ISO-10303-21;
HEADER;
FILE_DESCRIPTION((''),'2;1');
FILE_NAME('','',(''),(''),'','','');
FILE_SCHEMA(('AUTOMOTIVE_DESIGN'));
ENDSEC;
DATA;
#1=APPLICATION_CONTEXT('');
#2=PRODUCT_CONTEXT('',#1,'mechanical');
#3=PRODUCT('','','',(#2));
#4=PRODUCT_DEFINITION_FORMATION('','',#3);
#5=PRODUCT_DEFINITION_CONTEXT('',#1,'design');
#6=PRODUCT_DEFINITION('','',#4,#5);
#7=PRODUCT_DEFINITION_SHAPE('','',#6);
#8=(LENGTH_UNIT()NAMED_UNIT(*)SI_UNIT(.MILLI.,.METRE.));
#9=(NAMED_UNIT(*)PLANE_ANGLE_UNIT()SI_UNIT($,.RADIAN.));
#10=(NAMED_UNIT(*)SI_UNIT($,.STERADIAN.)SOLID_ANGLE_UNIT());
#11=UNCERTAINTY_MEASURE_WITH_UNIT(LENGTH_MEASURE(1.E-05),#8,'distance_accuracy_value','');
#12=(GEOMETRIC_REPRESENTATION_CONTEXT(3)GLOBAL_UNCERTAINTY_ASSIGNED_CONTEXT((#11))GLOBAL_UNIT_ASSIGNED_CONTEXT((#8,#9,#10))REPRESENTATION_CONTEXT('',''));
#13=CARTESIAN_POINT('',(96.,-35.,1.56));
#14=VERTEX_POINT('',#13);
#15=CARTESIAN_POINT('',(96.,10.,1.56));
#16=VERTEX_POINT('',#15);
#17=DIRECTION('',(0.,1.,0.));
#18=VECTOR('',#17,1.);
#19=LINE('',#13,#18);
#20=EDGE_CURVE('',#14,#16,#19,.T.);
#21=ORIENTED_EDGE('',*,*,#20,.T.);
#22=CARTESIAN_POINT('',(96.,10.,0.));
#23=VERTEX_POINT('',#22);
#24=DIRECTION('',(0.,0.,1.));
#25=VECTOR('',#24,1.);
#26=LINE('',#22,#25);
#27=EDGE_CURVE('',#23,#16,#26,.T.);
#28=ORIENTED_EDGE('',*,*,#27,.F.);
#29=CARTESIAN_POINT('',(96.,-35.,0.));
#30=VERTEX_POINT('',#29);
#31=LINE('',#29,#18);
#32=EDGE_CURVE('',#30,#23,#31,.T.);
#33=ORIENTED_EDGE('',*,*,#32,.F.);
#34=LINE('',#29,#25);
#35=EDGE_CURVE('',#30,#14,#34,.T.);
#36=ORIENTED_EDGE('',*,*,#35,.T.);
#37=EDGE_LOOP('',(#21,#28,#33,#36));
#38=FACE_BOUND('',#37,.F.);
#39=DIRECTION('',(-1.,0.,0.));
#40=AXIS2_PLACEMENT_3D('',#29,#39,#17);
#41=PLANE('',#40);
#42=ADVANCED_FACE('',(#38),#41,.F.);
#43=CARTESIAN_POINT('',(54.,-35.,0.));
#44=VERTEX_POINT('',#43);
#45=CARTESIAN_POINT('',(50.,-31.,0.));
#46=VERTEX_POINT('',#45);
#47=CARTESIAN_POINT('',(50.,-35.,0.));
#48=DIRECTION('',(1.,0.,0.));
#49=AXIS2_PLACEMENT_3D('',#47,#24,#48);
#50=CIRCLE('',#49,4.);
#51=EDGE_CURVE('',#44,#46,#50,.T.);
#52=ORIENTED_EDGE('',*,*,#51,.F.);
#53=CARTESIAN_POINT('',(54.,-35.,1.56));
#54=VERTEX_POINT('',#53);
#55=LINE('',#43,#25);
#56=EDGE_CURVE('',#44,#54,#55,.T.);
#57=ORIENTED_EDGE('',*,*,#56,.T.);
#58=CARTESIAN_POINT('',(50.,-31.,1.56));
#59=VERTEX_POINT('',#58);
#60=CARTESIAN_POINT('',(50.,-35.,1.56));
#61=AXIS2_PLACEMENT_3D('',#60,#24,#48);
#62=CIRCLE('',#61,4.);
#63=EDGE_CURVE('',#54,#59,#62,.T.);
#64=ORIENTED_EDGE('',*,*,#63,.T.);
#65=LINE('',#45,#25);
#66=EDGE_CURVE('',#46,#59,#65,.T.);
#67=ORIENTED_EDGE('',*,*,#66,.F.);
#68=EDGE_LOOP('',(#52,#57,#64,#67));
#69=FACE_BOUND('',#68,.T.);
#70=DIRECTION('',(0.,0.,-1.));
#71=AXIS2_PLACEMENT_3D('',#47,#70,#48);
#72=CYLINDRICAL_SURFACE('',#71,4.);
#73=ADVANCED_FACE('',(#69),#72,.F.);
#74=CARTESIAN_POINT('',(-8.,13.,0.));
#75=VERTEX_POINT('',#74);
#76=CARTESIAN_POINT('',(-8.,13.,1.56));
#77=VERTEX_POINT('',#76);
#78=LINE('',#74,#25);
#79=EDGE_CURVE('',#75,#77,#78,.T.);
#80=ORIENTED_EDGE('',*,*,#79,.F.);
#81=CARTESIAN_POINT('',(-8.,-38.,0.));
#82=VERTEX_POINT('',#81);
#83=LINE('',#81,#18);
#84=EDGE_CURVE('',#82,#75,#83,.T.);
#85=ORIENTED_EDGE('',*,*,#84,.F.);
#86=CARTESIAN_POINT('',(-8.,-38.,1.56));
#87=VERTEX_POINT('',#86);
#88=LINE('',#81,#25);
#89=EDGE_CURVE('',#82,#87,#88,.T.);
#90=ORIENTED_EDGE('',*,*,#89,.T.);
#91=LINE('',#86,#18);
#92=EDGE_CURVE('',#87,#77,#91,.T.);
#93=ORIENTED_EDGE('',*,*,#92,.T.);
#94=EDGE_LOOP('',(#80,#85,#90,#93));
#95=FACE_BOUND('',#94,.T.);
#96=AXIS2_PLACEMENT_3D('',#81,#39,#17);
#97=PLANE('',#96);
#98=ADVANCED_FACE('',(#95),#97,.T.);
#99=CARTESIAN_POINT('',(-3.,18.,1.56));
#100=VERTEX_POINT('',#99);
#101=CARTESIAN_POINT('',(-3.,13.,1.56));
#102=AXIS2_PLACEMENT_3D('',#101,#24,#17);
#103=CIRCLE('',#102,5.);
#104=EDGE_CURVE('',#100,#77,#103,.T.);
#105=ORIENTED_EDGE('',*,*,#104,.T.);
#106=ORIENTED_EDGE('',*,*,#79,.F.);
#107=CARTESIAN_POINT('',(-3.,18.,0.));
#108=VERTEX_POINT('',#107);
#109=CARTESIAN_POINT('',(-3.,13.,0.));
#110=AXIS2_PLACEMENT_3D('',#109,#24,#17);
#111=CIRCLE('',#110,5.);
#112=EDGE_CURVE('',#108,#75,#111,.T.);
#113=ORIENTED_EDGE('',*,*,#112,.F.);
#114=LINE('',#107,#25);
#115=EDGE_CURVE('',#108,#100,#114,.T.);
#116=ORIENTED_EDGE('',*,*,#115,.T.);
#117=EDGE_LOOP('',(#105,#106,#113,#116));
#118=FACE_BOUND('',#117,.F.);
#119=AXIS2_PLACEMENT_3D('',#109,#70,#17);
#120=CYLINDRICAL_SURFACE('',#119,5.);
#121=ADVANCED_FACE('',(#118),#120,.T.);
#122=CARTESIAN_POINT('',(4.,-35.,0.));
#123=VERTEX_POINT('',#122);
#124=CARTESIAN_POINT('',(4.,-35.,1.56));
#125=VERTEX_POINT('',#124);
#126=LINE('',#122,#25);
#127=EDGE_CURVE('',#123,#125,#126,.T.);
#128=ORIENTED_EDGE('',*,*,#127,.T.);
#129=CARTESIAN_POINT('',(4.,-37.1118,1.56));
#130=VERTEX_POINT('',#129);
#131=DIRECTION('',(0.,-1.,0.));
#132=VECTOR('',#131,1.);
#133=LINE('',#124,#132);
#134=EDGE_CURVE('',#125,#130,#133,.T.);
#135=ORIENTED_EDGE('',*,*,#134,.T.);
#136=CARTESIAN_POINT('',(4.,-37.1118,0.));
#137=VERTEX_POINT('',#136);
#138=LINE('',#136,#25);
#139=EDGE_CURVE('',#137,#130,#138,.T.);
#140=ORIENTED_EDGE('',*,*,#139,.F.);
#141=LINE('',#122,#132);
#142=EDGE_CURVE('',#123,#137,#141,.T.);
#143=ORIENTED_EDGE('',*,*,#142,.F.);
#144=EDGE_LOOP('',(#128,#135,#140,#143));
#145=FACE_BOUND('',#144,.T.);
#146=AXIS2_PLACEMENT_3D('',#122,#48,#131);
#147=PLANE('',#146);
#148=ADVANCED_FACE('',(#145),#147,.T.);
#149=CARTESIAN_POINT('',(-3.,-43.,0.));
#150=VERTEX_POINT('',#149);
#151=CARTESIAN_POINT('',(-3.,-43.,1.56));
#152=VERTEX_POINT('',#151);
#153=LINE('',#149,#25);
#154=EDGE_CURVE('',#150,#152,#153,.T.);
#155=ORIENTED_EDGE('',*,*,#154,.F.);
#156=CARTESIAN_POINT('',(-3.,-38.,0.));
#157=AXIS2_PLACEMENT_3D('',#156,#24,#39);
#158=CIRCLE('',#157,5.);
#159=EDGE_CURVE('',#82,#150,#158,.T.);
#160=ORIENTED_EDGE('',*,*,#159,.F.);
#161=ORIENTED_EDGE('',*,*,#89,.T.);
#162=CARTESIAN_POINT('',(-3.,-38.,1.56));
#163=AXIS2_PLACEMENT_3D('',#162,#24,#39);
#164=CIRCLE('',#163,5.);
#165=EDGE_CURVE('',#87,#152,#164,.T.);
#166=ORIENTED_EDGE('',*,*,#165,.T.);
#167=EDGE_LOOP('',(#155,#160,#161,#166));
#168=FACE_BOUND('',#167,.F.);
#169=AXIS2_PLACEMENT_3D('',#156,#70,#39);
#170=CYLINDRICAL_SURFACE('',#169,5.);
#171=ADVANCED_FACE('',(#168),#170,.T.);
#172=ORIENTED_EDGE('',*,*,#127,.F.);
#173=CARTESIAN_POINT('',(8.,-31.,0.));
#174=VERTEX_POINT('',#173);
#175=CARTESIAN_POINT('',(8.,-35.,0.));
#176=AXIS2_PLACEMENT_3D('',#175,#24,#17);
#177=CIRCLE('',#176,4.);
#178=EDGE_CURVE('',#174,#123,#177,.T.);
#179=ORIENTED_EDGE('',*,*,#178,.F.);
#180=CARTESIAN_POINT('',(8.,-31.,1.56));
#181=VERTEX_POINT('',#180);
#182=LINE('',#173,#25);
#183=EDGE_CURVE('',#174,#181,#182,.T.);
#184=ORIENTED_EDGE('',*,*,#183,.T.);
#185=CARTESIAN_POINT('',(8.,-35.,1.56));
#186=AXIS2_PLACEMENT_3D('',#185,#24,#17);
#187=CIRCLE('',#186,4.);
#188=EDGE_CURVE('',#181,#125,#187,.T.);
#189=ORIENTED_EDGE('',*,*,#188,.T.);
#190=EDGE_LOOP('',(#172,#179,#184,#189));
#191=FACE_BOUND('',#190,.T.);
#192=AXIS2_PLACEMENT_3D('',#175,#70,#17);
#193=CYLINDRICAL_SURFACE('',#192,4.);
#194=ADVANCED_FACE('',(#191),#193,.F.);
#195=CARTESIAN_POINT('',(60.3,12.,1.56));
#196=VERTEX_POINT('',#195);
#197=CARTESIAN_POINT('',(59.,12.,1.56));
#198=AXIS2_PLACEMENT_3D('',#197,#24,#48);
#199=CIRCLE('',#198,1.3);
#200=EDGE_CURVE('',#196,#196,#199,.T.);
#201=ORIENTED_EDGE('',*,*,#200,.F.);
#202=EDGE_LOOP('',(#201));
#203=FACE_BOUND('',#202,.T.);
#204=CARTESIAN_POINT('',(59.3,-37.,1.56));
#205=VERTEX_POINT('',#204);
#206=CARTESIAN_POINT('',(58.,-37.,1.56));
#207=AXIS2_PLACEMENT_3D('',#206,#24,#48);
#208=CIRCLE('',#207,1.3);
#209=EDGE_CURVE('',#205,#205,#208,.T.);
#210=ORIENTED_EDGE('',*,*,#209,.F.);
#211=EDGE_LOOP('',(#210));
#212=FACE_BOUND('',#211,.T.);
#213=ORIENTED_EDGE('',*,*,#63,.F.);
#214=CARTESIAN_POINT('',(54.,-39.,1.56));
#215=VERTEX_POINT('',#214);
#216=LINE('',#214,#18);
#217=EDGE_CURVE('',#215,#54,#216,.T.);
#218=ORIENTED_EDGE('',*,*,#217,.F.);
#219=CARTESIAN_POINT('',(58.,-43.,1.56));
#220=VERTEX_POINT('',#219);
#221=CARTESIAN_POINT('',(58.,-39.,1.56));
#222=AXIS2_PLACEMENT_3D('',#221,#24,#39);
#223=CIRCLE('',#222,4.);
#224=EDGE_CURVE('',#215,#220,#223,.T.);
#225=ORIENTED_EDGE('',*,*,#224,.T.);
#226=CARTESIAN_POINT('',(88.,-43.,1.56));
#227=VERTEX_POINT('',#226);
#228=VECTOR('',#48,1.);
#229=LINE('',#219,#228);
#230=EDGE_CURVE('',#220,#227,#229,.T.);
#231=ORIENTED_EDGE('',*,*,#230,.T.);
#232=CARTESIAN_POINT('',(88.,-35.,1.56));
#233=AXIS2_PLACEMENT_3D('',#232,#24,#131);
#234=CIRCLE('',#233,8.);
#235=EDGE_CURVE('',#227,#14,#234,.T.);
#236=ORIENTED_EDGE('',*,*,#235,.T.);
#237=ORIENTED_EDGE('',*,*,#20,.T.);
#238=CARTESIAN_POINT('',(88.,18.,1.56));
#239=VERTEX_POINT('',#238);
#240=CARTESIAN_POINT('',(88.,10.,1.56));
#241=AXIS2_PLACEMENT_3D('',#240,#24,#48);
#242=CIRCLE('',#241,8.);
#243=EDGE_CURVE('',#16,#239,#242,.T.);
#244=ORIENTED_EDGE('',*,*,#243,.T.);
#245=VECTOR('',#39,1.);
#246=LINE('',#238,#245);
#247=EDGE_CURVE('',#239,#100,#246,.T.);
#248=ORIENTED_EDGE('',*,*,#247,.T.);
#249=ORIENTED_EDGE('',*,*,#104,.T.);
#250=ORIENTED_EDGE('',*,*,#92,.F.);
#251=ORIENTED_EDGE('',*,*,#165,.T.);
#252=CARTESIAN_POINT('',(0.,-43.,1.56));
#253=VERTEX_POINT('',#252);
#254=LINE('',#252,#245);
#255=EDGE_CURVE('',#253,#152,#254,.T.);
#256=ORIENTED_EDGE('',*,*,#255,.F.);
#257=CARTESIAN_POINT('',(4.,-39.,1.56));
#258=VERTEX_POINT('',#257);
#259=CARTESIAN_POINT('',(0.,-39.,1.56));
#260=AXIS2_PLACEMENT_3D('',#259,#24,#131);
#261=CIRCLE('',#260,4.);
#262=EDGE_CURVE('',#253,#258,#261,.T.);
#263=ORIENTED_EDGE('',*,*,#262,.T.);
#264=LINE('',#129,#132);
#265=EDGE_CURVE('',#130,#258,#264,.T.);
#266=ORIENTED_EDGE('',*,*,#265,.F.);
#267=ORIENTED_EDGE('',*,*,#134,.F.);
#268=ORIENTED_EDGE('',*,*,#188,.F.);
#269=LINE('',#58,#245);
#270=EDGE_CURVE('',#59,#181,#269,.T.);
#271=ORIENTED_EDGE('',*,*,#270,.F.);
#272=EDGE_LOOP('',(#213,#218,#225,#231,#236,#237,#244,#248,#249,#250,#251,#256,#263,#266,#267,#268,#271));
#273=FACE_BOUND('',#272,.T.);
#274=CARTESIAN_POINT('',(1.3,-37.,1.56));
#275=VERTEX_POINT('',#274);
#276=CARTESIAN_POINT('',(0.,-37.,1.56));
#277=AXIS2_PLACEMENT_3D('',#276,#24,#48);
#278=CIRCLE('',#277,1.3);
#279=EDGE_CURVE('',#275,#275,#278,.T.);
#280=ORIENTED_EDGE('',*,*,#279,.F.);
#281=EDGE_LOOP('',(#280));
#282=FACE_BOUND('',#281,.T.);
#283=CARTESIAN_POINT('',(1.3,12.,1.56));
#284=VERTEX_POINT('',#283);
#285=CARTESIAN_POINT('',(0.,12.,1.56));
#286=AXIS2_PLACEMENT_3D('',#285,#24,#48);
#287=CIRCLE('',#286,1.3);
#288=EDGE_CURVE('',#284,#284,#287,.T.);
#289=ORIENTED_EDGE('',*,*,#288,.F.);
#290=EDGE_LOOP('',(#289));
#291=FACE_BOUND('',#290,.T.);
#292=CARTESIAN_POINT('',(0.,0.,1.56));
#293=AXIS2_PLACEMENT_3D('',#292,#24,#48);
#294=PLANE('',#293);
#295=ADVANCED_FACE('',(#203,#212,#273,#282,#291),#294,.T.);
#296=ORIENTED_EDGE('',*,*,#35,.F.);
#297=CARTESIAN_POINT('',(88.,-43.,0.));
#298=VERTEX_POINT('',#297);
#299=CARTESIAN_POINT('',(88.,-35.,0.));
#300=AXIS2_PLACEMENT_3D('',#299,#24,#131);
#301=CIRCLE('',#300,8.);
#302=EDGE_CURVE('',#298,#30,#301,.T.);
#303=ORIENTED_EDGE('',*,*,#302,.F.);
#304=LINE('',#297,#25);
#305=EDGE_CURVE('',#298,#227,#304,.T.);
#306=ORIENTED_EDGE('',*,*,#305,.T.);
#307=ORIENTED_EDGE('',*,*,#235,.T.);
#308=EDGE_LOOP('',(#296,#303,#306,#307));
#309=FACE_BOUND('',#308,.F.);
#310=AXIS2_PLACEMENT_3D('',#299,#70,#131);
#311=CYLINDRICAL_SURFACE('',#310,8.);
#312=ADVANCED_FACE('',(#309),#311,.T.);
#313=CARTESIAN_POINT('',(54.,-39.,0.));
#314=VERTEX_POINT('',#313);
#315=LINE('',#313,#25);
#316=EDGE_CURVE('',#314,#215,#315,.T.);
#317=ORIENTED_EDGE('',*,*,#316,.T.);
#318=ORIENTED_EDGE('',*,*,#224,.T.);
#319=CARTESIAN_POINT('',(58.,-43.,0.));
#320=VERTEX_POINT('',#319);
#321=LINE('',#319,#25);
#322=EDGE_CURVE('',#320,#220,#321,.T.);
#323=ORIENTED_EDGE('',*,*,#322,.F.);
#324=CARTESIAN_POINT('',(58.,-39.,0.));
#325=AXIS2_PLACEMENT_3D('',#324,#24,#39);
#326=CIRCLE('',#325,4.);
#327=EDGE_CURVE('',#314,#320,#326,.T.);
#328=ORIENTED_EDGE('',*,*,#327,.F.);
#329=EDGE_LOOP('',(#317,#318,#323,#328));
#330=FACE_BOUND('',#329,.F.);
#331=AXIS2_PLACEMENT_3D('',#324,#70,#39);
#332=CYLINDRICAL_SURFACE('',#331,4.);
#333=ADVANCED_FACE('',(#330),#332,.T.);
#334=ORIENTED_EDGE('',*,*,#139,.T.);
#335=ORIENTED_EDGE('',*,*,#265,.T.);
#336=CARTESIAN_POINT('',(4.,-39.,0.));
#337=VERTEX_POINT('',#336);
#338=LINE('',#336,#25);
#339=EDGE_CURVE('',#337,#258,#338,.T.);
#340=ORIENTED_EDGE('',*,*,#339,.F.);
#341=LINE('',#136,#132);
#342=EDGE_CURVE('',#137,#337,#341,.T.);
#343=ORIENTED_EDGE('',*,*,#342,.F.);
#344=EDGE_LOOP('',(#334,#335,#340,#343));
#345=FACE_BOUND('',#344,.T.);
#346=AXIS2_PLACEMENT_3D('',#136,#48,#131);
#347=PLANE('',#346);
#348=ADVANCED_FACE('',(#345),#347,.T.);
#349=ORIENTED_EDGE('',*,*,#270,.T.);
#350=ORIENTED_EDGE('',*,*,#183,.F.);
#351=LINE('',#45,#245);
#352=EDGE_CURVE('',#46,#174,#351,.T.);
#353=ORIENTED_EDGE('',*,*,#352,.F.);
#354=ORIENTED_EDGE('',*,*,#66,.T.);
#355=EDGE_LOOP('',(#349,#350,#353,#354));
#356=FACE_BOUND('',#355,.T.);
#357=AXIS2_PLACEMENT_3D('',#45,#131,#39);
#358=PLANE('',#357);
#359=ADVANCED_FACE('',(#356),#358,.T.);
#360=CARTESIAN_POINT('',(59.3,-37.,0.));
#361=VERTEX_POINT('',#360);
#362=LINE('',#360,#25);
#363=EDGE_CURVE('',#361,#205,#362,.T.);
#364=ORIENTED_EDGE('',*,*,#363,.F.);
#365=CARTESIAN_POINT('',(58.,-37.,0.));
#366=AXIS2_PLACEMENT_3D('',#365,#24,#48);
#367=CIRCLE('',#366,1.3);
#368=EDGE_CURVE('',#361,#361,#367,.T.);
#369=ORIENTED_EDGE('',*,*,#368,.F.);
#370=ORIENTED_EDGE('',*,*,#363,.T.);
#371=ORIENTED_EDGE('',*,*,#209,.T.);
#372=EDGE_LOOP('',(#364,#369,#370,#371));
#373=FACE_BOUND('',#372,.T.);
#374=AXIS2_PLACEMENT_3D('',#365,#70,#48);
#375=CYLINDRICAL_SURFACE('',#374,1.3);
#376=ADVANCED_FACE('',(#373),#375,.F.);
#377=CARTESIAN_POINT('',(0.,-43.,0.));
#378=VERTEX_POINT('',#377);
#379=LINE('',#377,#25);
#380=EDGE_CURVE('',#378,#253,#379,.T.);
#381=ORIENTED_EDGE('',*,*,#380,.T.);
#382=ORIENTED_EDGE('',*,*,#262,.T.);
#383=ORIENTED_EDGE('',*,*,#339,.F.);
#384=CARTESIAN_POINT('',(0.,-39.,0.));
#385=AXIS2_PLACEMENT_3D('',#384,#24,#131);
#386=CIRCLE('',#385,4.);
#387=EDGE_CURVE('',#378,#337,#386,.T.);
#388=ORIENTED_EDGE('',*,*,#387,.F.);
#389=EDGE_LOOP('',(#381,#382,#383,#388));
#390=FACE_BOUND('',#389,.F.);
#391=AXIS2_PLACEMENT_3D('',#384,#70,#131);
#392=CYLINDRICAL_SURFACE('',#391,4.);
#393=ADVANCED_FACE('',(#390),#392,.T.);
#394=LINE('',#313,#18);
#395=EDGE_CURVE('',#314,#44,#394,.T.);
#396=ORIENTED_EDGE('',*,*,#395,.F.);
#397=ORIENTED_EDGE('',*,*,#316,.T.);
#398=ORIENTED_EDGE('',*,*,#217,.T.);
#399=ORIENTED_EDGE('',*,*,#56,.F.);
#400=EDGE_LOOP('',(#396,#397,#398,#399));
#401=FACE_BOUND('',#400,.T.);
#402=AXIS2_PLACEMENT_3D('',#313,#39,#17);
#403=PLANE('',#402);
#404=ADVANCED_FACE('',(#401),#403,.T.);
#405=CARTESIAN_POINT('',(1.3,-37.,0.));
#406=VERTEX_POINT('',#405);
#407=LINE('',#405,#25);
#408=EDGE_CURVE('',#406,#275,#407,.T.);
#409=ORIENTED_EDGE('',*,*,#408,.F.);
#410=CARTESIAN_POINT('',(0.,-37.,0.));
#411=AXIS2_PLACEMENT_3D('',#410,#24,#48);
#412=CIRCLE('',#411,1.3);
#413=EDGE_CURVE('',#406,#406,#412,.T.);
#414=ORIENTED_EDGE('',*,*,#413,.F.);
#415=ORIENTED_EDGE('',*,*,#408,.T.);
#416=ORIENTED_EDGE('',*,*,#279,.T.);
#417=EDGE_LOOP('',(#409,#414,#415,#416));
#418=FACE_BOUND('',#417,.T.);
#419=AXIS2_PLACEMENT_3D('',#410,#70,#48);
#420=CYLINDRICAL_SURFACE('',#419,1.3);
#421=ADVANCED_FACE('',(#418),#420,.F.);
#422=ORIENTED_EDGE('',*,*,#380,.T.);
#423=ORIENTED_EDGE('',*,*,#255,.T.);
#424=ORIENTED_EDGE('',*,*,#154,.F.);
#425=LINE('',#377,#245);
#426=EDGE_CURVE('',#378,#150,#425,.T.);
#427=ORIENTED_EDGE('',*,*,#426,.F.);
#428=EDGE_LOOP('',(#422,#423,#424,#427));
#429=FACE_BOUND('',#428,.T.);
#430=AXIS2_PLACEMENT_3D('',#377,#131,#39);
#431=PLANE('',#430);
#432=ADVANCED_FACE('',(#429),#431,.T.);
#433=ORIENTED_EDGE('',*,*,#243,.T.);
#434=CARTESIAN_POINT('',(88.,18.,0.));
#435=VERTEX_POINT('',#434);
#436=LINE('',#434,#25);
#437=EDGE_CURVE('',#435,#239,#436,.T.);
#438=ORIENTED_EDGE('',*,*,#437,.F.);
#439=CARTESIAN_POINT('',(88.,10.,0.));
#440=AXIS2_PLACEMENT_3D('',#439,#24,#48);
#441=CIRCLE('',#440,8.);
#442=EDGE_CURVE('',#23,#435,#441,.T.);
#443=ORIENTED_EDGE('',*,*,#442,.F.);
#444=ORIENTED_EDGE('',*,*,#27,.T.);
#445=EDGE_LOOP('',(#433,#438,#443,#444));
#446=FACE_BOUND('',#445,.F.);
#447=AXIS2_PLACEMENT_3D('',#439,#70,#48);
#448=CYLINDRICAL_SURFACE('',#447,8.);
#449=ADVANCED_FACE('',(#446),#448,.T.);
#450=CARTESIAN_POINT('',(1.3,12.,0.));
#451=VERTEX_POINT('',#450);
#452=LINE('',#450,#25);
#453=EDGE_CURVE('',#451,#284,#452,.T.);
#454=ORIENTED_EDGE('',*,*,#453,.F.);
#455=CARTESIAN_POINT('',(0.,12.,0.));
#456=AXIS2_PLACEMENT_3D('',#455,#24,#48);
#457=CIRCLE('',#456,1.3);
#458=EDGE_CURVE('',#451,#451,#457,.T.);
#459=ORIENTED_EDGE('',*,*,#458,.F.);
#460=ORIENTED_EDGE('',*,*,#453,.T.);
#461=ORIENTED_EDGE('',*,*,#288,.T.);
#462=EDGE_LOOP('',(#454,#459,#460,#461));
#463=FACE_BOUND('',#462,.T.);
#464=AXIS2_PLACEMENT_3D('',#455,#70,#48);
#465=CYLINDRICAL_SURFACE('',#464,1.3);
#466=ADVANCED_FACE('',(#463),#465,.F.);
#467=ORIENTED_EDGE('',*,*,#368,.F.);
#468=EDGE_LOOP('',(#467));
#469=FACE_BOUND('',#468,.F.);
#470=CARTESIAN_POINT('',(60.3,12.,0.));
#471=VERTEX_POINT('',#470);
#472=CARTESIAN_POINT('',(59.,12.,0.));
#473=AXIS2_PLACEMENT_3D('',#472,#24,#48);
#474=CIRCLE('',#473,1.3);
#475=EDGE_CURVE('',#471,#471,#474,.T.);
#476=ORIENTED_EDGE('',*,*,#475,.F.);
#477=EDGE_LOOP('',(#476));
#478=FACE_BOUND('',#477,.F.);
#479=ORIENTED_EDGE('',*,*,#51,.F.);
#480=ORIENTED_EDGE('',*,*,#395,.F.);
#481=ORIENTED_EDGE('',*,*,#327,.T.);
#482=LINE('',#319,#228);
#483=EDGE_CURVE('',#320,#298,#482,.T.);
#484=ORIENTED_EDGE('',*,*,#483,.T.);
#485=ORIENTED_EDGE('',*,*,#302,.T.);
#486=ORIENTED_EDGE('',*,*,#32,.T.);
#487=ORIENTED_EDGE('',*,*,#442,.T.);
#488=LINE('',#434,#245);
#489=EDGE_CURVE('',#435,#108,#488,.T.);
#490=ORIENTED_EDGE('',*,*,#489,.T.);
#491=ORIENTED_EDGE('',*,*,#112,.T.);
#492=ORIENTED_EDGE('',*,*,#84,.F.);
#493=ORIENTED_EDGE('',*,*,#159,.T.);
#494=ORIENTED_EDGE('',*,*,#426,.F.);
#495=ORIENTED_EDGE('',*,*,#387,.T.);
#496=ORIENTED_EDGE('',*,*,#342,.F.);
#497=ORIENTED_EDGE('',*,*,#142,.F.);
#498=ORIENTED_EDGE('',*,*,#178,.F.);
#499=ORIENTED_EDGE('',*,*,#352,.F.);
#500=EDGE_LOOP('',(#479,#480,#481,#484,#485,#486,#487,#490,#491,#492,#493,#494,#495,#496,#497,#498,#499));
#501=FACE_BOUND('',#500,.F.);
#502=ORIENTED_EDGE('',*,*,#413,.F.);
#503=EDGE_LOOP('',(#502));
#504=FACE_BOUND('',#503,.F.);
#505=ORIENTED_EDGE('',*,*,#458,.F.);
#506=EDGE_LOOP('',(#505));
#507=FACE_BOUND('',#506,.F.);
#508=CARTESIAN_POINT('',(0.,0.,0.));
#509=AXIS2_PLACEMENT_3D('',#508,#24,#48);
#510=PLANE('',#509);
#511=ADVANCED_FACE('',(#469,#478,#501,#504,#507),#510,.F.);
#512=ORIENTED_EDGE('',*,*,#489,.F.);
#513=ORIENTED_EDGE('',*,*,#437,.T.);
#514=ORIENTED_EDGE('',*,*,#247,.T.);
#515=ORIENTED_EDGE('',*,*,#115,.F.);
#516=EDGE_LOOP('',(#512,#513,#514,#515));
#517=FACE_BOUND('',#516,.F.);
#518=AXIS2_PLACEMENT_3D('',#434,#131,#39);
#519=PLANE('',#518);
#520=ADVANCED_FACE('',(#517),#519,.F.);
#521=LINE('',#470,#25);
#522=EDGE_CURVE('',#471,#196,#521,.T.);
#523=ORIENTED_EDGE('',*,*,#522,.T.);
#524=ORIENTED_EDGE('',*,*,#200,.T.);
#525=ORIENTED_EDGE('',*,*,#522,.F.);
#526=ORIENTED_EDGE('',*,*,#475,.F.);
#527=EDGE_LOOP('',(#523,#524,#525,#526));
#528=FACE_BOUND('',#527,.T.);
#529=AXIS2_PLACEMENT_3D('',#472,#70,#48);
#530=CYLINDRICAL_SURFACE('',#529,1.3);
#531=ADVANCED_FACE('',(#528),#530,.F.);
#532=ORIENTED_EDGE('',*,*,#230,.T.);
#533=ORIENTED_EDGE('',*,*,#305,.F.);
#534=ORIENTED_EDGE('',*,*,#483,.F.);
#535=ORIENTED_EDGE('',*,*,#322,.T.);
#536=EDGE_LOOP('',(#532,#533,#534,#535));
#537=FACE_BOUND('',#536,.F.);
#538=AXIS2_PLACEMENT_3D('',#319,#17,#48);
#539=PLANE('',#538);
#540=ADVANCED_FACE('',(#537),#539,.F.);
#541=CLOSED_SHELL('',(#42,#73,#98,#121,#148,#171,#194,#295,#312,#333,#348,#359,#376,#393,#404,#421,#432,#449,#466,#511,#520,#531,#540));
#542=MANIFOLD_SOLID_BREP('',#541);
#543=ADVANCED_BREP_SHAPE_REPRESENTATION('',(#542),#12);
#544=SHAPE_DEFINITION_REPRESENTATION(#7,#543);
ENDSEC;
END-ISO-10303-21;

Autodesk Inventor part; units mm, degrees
ref_plane "YZ Plane" through (0, 0, 0) normal (1, 0, 0) x (0, 1, 0)
ref_plane "XZ Plane" through (0, 0, 0) normal (0, 1, 0) x (-1, 0, 0)
ref_plane "XY Plane" through (0, 0, 0) normal (0, 0, 1) x (1, 0, 0)
sketch "Sketch1" plane through (0, 0, 0) normal (0, 0, 1) x (1, 0, 0)
  line L0 (96, -35) -> (96, 10)
  arc A0 (88, -43) -> (96, -35) centre (88, -35) ccw
  line L1 (54, -39) -> (54, -35)
  line L2 (50, -31) -> (8, -31)
  line L3 (4, -35) -> (4, -37.1118)
  line L4 (58, -43) -> (88, -43)
  arc A1 (8, -31) -> (4, -35) centre (8, -35) ccw
  arc A2 (54, -39) -> (58, -43) centre (58, -39) ccw
  arc A3 (54, -35) -> (50, -31) centre (50, -35) ccw
  line L5 (-34, 0) -> (96, 0) construction
  line L6 (88, 18) -> (-3, 18)
  circle A4 centre (59, 12) radius 1.3
  circle A5 centre (58, -37) radius 1.3
  line L7 (4, -37.1118) -> (4, -39)
  arc A6 (0, -43) -> (4, -39) centre (0, -39) ccw
  circle A7 centre (0, -37) radius 1.3
  line L8 (58, -37) -> (0, -37) construction
  line L9 (0, 0) -> (0, 18) construction
  line L10 (0, -43) -> (-3, -43)
  line L11 (-8, -38) -> (-8, 13)
  arc A8 (-3, 18) -> (-8, 13) centre (-3, 13) ccw
  arc A9 (-8, -38) -> (-3, -43) centre (-3, -38) ccw
  arc A10 (96, 10) -> (88, 18) centre (88, 10) ccw
  circle A11 centre (0, 12) radius 1.3
  point P0 (4, -43)
  point P1 (96, 18)
  point P2 (54, -31)
  point P3 (4, -31)
  dimension "d8" = 50
  dimension "d11" = 12
  dimension "d13" = 4
  dimension "d16" = 42
  dimension "d33" = 4
  dimension "d44" = 58
  dimension "d46" = 31
  dimension "d47" = 18
  dimension "d51" = 5
  dimension "d52" = 12
  dimension "d55" = 58
  dimension "d57" = 49
  dimension "d58" = 6
  dimension "d59" = 37
  dimension "d60" = 2.6
  dimension "d61" = 8
  dimension "d62" = 8
  dimension "d64" = 4
extrude "Extrusion1" add sketch "Sketch1" along normal blind 1.56
properties part number "long_battery_mount"
